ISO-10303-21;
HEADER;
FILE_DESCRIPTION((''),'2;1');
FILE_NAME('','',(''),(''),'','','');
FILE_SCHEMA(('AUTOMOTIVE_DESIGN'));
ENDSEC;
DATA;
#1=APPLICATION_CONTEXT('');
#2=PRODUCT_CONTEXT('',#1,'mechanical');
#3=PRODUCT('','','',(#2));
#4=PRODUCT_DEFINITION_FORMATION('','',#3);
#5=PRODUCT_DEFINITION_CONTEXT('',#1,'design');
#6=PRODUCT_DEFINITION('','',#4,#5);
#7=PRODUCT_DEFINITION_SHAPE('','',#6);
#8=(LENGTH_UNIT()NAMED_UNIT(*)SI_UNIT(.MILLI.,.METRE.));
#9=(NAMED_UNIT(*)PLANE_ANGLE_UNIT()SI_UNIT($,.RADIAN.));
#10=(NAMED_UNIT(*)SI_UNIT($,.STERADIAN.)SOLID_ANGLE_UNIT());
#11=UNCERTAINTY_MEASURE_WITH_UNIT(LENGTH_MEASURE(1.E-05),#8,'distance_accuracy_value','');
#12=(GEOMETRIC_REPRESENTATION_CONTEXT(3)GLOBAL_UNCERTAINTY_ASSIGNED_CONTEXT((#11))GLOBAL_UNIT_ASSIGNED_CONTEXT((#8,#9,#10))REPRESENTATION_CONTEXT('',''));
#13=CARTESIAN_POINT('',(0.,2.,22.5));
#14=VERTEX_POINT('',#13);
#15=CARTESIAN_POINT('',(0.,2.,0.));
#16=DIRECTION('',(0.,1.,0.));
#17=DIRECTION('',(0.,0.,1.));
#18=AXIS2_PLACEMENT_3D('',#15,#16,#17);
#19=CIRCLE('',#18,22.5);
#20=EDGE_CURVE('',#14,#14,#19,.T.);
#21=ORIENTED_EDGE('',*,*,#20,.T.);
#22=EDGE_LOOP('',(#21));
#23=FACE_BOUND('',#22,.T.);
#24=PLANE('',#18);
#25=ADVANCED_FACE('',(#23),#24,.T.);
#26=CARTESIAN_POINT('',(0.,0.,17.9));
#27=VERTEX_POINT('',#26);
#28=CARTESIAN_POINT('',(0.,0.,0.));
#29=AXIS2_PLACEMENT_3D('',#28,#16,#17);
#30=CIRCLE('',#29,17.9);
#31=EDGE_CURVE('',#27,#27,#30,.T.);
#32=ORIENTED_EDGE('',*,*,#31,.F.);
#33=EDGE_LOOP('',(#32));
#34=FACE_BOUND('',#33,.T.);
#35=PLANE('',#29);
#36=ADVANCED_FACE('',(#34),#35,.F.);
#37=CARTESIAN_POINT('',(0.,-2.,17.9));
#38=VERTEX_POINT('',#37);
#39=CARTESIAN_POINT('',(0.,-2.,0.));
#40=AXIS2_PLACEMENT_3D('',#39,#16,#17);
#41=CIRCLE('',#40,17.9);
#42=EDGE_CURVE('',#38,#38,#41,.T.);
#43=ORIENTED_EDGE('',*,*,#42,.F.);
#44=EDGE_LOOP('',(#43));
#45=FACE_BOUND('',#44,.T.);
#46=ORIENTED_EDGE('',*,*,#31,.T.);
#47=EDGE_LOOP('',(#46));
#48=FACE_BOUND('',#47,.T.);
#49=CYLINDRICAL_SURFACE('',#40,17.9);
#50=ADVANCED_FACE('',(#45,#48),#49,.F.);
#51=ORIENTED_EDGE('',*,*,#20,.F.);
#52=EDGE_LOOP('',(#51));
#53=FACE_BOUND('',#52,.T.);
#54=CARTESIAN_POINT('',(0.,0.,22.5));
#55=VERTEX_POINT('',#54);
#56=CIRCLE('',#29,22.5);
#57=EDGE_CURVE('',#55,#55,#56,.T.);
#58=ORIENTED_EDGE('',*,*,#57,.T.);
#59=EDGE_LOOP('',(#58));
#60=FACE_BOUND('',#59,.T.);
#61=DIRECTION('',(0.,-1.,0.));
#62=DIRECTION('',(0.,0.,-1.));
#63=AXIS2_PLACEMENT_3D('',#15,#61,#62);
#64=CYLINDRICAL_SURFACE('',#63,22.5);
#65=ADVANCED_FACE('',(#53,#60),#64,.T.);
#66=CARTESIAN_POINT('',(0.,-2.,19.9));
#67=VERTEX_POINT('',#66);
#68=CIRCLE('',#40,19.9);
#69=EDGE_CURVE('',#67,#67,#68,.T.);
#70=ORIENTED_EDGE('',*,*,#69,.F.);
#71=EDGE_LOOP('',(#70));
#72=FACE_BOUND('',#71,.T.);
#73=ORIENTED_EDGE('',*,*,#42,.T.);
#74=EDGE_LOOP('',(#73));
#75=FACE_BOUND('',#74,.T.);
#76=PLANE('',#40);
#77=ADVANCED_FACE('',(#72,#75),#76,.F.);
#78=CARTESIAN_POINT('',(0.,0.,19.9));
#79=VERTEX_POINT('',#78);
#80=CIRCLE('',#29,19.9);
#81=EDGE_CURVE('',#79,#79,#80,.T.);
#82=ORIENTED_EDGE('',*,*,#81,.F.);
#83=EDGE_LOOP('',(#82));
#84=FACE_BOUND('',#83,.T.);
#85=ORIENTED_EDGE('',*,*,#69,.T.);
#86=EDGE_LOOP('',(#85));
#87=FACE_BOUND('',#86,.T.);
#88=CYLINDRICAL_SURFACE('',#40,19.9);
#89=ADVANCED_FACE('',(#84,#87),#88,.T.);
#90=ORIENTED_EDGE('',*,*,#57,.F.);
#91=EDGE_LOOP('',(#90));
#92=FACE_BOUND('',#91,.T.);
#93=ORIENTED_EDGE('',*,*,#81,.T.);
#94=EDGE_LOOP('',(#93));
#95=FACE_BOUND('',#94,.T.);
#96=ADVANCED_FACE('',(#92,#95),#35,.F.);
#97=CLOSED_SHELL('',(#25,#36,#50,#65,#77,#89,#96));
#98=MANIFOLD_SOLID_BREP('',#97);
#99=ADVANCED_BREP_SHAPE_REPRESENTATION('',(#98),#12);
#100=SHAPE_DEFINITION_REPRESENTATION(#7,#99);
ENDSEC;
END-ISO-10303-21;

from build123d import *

# Parameters (mm, degrees)
SKIZZE1_R                       = 22.5
AUFSATZ_LINEAR_AUSTRAGEN1_DEPTH = 2
SKIZZE2_R                       = 19.9
SKIZZE2_R_2                     = 17.9
AUFSATZ_LINEAR_AUSTRAGEN2_DEPTH = 2


with BuildPart() as part:
    # Skizze1 → Aufsatz-Linear austragen1 (new body)
    with BuildSketch(Plane(origin=(0, 0, 0), x_dir=(1, 0, 0), z_dir=(0, 1, 0))):
        with Locations(Location((0, 0, 0), (0, 0, 270))):
            Circle(SKIZZE1_R)
    extrude(amount=AUFSATZ_LINEAR_AUSTRAGEN1_DEPTH)

    # Skizze2 → Aufsatz-Linear austragen2 (add)
    with BuildSketch(Plane(origin=(0, 0, 0), x_dir=(1, 0, 0), z_dir=(0, 1, 0))):
        with Locations(Location((0, 0, 0), (0, 0, 270))):
            Circle(SKIZZE2_R)
        with Locations(Location((0, 0, 0), (0, 0, 270))):
            Circle(SKIZZE2_R_2, mode=Mode.SUBTRACT)
    extrude(amount=-AUFSATZ_LINEAR_AUSTRAGEN2_DEPTH)


solid = part.part
